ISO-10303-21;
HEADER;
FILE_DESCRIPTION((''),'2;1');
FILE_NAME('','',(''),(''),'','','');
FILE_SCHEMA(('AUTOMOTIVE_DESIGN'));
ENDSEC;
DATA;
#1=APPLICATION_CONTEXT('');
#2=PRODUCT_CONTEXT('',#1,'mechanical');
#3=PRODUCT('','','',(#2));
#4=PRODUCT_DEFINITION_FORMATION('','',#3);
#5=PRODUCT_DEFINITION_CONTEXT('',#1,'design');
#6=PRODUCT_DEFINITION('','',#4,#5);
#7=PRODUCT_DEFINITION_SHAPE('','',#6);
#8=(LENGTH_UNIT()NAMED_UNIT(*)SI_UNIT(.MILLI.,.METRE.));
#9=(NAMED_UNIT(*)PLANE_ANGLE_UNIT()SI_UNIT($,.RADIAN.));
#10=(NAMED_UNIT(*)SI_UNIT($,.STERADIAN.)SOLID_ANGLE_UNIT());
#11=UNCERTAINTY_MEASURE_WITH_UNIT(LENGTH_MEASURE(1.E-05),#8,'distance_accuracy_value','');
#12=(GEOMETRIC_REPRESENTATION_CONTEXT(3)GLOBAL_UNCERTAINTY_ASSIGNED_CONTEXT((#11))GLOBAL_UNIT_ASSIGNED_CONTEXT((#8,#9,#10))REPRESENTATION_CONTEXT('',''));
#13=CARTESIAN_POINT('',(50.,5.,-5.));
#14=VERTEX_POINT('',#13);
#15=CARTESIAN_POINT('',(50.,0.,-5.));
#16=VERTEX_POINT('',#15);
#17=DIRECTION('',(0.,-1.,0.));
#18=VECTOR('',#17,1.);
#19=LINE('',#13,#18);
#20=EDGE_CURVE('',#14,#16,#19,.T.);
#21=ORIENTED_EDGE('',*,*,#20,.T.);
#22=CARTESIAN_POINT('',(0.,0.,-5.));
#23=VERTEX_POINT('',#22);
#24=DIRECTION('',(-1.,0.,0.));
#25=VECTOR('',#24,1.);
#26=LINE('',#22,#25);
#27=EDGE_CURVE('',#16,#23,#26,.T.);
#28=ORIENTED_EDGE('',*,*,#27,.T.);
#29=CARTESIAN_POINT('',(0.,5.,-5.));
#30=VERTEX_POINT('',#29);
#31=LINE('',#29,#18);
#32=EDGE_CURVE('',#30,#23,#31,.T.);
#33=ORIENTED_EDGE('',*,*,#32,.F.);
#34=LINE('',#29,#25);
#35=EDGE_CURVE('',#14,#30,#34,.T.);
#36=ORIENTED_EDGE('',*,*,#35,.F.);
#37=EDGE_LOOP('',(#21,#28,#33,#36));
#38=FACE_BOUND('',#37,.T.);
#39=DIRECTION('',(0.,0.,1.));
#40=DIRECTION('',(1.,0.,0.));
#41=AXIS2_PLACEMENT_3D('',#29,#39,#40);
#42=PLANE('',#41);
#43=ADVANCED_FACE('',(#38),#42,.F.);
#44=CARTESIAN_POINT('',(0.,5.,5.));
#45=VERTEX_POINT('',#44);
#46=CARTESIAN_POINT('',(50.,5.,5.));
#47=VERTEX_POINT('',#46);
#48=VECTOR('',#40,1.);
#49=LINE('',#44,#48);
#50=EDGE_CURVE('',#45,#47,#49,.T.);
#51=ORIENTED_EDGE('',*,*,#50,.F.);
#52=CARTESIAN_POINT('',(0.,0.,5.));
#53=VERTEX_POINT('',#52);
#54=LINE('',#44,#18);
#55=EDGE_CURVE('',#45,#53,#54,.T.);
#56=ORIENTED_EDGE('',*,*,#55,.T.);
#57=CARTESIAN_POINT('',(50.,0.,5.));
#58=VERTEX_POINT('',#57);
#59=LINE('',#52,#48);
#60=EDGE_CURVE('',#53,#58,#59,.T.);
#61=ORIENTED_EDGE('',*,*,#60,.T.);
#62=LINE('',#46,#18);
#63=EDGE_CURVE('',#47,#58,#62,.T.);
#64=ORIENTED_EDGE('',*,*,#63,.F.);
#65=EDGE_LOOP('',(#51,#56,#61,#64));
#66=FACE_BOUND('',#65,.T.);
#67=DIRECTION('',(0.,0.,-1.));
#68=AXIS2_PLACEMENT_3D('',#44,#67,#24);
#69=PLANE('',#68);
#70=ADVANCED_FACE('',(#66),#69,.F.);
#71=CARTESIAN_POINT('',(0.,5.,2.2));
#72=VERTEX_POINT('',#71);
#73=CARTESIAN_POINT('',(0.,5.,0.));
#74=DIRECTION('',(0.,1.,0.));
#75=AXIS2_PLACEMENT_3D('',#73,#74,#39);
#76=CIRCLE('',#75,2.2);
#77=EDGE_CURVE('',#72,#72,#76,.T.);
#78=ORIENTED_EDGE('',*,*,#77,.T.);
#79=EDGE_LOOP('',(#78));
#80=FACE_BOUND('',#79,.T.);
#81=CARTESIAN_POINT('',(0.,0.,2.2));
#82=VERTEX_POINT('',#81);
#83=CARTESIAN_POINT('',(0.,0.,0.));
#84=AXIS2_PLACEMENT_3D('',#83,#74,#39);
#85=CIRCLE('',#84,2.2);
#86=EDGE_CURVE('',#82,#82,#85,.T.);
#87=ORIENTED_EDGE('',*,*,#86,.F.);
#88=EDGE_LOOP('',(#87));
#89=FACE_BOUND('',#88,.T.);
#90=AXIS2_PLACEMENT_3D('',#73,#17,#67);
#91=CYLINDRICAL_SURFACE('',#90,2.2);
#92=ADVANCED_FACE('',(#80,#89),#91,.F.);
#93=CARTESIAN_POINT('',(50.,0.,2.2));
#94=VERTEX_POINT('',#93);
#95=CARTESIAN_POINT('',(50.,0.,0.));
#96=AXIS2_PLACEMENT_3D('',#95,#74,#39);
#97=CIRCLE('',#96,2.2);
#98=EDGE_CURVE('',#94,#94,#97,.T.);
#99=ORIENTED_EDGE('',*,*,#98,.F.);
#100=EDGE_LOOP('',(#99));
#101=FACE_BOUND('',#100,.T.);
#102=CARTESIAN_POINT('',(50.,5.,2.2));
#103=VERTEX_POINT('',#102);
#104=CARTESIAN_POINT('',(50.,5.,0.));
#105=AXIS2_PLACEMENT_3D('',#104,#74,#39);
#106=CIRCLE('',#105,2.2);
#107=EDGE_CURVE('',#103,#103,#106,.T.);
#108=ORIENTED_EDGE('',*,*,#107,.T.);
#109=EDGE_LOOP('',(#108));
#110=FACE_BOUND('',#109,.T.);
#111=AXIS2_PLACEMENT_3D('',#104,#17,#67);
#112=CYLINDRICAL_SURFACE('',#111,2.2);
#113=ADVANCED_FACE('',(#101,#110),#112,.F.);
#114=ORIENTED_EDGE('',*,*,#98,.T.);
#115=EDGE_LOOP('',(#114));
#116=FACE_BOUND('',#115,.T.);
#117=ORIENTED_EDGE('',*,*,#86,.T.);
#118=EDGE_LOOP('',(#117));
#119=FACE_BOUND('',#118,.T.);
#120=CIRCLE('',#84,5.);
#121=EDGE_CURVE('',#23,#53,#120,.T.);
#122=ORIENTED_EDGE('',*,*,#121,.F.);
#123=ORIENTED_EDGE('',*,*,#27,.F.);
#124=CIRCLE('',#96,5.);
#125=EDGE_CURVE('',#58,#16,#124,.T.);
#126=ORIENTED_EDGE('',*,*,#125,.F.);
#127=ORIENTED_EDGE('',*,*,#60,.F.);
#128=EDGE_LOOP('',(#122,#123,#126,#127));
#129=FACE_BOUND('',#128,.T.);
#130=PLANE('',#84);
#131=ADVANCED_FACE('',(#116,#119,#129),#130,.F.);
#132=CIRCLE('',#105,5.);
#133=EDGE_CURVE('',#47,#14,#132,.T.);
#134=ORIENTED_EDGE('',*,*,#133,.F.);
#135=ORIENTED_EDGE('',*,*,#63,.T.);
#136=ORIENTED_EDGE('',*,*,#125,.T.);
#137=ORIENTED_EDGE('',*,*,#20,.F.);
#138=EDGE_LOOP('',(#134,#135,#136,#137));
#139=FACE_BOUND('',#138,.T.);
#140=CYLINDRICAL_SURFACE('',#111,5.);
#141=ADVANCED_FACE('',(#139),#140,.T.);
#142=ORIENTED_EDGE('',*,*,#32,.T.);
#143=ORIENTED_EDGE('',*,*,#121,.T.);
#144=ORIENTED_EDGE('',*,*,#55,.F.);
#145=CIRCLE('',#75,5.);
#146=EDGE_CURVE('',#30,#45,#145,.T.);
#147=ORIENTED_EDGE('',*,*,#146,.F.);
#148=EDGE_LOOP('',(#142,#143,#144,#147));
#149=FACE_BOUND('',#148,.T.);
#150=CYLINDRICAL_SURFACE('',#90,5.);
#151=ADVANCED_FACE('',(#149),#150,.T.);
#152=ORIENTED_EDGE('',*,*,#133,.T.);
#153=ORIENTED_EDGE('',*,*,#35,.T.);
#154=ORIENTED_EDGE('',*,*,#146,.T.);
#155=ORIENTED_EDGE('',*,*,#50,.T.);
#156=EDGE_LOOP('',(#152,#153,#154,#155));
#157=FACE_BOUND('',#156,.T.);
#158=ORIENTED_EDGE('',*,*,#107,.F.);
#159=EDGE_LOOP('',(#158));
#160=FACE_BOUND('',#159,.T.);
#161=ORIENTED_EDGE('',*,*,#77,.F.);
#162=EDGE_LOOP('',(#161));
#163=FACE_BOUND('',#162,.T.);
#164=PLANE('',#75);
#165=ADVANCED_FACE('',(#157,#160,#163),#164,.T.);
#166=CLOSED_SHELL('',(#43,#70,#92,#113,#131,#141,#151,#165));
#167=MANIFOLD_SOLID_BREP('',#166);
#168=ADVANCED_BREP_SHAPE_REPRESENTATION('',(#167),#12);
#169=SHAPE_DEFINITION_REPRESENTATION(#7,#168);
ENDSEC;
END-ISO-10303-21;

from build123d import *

# Parameters (mm, degrees)
SKETCH_1_R      = 2.2
EXTRUDE_2_DEPTH = 5


with BuildPart() as part:
    # 草图1 → 凸台-拉伸2 (new body)
    with BuildSketch(Plane(origin=(0, 0, 0), x_dir=(1, 0, 0), z_dir=(0, 1, 0))):
        with BuildLine():
            Line((0, 5), (50, 5))
            ThreePointArc((50, 5), (55, 0), (50, -5))
            Line((50, -5), (0, -5))
            ThreePointArc((0, -5), (-5, 0), (0, 5))
        make_face()
        with Locations(Location((0, 0, 0), (0, 0, 270))):
            Circle(SKETCH_1_R, mode=Mode.SUBTRACT)
        with Locations(Location((50, 0, 0), (0, 0, 270))):
            Circle(SKETCH_1_R, mode=Mode.SUBTRACT)
    extrude(amount=EXTRUDE_2_DEPTH)


solid = part.part
